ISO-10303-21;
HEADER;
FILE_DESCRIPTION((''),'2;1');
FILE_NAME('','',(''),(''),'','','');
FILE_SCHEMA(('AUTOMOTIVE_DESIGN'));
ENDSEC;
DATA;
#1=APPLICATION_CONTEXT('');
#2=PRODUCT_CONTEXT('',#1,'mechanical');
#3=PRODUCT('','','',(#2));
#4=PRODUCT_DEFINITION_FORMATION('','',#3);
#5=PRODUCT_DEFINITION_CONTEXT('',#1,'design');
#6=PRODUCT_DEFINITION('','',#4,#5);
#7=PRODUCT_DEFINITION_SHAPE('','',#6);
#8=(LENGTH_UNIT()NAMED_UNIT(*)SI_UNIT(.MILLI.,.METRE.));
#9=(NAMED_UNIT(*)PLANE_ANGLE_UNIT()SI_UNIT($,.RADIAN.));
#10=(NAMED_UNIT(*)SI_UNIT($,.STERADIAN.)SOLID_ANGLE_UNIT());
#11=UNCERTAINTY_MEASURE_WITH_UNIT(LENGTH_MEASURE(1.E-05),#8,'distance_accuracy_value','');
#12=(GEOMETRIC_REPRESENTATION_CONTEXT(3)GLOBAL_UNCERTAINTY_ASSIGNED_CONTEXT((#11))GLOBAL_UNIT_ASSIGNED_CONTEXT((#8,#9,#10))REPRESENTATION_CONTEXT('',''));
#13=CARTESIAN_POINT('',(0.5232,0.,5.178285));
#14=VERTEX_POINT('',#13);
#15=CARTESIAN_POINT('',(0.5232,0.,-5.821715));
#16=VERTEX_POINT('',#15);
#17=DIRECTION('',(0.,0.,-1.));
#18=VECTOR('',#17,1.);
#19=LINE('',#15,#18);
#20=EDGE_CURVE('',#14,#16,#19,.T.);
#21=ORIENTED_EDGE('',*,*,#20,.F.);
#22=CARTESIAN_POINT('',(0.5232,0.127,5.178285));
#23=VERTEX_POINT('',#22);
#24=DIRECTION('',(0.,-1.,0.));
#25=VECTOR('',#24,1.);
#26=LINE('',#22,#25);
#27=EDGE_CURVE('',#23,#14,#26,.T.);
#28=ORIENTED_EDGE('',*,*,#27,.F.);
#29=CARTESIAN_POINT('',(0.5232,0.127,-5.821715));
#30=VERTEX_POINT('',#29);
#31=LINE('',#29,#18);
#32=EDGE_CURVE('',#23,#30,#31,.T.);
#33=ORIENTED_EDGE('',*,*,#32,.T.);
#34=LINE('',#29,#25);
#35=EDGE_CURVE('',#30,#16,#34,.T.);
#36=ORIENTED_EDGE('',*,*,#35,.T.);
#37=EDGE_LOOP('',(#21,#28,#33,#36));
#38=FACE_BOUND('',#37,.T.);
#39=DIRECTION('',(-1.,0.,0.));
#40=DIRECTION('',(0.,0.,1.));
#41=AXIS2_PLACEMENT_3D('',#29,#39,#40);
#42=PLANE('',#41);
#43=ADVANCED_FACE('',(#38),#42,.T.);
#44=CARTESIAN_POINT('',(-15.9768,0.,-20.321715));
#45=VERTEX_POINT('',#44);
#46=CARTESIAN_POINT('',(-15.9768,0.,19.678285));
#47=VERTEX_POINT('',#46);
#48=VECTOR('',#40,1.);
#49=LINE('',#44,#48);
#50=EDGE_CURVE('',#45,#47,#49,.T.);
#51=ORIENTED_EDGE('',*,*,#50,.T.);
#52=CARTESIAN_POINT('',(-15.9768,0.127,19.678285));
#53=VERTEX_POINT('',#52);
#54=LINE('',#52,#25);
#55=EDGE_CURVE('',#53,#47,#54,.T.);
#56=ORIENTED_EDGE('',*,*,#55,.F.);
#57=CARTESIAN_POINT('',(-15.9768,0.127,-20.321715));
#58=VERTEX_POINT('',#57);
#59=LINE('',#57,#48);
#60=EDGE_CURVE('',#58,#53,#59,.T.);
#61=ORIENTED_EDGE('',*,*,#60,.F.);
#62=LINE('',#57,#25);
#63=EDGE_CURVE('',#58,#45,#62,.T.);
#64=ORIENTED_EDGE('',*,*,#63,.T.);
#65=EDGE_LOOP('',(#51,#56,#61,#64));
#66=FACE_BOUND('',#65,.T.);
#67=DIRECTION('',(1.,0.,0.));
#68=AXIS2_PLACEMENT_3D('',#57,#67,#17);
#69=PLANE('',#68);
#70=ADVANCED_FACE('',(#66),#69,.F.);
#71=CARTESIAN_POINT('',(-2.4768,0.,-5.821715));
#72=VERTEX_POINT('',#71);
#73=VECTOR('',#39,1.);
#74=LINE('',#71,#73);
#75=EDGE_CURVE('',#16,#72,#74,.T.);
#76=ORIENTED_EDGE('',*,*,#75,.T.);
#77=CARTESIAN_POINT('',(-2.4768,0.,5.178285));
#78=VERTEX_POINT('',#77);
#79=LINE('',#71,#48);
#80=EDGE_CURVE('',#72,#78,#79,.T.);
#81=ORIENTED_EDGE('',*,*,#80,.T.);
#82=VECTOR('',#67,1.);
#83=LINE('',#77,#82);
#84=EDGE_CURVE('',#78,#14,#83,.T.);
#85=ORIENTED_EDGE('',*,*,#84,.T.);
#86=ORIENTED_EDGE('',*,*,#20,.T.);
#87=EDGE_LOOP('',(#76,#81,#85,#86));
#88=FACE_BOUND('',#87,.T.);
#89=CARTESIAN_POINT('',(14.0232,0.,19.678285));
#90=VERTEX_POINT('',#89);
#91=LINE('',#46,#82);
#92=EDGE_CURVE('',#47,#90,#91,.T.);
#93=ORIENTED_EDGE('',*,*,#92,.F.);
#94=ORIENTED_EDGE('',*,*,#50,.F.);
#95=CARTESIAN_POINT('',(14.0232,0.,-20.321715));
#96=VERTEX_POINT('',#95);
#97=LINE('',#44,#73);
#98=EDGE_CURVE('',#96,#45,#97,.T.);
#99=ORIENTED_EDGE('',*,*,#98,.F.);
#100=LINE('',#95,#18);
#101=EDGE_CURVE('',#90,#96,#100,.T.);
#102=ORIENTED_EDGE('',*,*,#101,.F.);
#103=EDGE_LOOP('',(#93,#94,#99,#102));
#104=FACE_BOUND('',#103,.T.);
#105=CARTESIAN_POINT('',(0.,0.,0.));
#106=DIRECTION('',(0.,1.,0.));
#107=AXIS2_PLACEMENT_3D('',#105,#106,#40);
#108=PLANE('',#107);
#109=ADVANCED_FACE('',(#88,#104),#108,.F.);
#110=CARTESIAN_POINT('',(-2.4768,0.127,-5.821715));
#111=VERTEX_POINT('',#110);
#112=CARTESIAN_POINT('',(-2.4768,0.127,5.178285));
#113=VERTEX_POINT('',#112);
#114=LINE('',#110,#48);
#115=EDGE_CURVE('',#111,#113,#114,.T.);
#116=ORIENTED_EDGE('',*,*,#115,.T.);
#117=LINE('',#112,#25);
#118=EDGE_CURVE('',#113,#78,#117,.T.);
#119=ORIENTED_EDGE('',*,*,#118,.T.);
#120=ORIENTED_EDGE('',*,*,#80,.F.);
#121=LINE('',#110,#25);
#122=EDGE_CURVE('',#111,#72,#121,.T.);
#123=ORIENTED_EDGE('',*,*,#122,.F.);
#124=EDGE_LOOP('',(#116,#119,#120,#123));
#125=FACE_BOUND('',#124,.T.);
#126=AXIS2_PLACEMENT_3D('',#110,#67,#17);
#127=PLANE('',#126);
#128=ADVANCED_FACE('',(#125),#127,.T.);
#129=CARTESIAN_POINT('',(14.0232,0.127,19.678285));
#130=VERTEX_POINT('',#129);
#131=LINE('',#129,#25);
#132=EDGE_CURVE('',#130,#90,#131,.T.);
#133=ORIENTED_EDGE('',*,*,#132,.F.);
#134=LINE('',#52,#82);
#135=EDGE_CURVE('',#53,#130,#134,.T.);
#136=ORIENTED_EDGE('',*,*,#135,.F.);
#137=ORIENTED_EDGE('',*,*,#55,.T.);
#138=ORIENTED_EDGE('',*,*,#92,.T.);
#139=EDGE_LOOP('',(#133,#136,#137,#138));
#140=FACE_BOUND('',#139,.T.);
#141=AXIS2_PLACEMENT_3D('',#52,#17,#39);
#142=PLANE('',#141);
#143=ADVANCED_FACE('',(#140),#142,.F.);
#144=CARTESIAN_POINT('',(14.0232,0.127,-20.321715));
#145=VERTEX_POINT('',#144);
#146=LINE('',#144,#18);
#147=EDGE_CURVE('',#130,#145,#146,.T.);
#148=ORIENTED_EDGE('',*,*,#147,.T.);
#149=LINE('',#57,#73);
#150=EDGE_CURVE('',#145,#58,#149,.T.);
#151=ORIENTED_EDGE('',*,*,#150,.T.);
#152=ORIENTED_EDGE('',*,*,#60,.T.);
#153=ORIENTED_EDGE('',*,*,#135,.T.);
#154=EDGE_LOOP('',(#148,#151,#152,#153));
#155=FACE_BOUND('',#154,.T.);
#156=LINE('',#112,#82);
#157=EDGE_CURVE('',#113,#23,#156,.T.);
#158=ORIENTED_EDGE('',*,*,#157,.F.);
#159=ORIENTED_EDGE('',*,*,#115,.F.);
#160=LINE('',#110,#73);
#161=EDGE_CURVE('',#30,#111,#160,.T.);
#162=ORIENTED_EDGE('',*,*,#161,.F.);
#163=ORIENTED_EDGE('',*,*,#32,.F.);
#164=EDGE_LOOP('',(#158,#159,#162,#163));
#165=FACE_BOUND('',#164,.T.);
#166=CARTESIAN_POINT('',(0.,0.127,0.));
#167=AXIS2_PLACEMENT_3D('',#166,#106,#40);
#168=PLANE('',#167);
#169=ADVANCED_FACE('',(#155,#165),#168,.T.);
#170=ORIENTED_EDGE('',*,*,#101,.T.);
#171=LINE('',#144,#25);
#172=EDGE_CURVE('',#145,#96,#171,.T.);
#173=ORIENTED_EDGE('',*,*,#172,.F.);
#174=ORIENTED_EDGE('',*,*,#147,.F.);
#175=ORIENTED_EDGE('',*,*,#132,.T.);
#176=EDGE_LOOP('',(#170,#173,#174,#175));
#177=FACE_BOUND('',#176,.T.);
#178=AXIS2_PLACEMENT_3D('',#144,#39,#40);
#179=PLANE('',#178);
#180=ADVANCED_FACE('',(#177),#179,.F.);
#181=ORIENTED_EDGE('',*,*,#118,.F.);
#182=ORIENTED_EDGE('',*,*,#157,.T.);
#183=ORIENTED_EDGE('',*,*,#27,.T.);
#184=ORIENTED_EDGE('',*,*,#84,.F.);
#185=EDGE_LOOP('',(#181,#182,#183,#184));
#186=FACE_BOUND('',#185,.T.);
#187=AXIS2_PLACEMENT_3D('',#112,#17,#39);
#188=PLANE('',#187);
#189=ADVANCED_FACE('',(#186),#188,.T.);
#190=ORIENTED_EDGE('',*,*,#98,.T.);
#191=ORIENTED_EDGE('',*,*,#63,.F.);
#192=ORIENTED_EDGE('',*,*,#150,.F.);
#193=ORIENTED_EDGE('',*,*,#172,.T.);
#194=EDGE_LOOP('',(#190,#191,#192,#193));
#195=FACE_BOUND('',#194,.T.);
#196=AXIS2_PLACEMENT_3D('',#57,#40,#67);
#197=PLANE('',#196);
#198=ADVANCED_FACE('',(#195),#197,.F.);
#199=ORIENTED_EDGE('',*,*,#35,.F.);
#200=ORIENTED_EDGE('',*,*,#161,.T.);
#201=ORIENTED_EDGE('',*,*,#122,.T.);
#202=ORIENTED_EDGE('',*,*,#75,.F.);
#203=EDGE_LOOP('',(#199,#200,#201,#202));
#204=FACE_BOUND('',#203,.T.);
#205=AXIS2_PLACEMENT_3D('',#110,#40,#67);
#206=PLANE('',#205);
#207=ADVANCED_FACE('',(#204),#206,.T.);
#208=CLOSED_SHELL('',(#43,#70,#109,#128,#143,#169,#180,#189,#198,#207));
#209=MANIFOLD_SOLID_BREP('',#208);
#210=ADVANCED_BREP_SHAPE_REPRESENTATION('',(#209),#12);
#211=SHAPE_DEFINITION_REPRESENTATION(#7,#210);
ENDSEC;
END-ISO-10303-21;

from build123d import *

# Parameters (mm, degrees)
SKETCH1_W           = 30
SKETCH1_H           = 40
SKETCH1_W_2         = 3
SKETCH1_H_2         = 11
BOSS_EXTRUDE1_DEPTH = 0.127


with BuildPart() as part:
    # Sketch1 → Boss-Extrude1 (new body)
    with BuildSketch(Plane(origin=(0, 0, 0), x_dir=(1, 0, 0), z_dir=(0, 1, 0))):
        with Locations((-0.976799909, 0.321714502)):
            Rectangle(SKETCH1_W, SKETCH1_H)
        with Locations((-0.976799909, 0.321714502)):
            Rectangle(SKETCH1_W_2, SKETCH1_H_2, mode=Mode.SUBTRACT)
    extrude(amount=BOSS_EXTRUDE1_DEPTH)


solid = part.part
